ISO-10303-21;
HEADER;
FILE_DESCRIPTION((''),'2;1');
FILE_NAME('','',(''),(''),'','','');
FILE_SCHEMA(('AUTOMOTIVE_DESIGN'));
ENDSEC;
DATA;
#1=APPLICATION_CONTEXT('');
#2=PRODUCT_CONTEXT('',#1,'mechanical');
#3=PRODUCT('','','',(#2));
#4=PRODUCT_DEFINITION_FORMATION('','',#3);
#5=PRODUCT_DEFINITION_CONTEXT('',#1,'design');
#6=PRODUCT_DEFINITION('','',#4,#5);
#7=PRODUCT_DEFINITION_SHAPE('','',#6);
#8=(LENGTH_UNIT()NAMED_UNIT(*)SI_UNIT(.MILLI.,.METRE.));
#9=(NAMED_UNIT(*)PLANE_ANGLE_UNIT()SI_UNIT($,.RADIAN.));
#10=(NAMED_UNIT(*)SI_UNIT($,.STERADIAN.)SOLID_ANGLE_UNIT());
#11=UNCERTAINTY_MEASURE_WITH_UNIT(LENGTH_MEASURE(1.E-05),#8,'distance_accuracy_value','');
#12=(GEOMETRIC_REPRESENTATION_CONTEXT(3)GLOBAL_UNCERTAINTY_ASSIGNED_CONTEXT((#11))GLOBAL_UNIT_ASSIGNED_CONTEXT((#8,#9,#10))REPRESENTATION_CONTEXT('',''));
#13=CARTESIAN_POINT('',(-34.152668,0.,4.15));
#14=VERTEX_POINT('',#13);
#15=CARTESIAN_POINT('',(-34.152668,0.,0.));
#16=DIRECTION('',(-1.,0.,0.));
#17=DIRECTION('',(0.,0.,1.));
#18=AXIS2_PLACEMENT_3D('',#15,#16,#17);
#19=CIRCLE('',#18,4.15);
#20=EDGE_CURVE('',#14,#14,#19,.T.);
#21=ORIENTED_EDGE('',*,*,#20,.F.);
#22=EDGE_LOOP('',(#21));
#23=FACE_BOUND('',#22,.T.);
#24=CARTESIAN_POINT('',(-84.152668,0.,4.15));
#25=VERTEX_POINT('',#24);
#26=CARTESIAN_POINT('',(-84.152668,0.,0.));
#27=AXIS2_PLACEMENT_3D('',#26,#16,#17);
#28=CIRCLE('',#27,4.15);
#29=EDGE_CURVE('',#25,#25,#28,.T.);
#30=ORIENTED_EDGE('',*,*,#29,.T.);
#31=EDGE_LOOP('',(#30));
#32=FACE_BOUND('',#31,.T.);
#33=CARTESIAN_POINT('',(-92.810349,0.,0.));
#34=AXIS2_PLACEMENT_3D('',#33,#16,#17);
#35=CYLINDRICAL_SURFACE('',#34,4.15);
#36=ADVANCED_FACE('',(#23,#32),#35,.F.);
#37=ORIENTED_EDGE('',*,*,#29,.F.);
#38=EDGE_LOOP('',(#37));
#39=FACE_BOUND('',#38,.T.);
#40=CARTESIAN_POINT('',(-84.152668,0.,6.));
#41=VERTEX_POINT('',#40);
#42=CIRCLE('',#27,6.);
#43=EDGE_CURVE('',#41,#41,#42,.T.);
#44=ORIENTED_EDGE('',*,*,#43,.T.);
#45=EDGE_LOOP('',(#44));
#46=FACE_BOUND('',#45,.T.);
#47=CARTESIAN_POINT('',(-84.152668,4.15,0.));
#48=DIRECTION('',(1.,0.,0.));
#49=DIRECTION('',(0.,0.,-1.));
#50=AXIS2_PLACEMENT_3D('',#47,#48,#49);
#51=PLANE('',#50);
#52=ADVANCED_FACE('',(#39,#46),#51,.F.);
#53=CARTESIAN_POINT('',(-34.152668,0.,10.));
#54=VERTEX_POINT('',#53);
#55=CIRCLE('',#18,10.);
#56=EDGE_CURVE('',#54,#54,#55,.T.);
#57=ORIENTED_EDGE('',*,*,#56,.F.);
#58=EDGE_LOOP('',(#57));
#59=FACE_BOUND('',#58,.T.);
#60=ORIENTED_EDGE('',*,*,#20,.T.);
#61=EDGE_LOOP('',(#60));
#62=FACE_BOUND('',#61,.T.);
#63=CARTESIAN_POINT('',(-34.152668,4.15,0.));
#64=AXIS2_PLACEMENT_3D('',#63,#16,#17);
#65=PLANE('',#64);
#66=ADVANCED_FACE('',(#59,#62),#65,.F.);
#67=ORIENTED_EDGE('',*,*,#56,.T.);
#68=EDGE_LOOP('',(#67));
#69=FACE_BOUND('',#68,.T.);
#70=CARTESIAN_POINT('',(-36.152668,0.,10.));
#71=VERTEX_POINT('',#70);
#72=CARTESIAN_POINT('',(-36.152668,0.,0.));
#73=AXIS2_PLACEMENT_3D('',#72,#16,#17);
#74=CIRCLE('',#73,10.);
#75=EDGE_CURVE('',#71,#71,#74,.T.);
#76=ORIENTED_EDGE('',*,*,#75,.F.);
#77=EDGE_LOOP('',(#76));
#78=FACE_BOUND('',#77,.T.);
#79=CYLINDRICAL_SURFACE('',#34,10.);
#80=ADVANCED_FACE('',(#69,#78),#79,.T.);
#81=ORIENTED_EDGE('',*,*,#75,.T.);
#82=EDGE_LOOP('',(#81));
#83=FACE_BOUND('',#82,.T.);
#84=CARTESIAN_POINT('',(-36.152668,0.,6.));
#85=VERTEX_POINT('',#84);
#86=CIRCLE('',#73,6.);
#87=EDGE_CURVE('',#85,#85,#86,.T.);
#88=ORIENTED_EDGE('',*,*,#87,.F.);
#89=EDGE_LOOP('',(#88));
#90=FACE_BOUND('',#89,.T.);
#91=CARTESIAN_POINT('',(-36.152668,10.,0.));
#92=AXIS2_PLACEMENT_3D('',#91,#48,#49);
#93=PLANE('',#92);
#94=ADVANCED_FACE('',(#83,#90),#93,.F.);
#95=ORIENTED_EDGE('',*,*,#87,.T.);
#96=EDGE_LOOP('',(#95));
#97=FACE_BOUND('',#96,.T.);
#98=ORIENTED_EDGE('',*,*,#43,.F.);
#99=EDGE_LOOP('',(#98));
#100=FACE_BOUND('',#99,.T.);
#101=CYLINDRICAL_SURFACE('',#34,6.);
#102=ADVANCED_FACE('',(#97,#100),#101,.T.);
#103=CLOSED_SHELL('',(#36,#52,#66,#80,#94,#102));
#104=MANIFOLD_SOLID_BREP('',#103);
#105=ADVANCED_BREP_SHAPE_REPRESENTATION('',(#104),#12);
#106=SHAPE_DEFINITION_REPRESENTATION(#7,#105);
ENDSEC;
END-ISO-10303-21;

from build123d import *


with BuildPart() as part:
    # Эскиз1 → Повернуть1 (revolve)
    with BuildSketch(Plane.XY, mode=Mode.PRIVATE) as revolve_1_sk:
        Polygon((-84.15266755, 4.15), (-34.15266755, 4.15), (-34.15266755, 10), (-36.15266755, 10), (-36.15266755, 6), (-84.15266755, 6), align=None)
    revolve(revolve_1_sk.sketch.rotate(Axis((-92.810349397, 0, 0), (1, 0, 0)), 90), axis=Axis((-92.810349397, 0, 0), (1, 0, 0)))


solid = part.part
